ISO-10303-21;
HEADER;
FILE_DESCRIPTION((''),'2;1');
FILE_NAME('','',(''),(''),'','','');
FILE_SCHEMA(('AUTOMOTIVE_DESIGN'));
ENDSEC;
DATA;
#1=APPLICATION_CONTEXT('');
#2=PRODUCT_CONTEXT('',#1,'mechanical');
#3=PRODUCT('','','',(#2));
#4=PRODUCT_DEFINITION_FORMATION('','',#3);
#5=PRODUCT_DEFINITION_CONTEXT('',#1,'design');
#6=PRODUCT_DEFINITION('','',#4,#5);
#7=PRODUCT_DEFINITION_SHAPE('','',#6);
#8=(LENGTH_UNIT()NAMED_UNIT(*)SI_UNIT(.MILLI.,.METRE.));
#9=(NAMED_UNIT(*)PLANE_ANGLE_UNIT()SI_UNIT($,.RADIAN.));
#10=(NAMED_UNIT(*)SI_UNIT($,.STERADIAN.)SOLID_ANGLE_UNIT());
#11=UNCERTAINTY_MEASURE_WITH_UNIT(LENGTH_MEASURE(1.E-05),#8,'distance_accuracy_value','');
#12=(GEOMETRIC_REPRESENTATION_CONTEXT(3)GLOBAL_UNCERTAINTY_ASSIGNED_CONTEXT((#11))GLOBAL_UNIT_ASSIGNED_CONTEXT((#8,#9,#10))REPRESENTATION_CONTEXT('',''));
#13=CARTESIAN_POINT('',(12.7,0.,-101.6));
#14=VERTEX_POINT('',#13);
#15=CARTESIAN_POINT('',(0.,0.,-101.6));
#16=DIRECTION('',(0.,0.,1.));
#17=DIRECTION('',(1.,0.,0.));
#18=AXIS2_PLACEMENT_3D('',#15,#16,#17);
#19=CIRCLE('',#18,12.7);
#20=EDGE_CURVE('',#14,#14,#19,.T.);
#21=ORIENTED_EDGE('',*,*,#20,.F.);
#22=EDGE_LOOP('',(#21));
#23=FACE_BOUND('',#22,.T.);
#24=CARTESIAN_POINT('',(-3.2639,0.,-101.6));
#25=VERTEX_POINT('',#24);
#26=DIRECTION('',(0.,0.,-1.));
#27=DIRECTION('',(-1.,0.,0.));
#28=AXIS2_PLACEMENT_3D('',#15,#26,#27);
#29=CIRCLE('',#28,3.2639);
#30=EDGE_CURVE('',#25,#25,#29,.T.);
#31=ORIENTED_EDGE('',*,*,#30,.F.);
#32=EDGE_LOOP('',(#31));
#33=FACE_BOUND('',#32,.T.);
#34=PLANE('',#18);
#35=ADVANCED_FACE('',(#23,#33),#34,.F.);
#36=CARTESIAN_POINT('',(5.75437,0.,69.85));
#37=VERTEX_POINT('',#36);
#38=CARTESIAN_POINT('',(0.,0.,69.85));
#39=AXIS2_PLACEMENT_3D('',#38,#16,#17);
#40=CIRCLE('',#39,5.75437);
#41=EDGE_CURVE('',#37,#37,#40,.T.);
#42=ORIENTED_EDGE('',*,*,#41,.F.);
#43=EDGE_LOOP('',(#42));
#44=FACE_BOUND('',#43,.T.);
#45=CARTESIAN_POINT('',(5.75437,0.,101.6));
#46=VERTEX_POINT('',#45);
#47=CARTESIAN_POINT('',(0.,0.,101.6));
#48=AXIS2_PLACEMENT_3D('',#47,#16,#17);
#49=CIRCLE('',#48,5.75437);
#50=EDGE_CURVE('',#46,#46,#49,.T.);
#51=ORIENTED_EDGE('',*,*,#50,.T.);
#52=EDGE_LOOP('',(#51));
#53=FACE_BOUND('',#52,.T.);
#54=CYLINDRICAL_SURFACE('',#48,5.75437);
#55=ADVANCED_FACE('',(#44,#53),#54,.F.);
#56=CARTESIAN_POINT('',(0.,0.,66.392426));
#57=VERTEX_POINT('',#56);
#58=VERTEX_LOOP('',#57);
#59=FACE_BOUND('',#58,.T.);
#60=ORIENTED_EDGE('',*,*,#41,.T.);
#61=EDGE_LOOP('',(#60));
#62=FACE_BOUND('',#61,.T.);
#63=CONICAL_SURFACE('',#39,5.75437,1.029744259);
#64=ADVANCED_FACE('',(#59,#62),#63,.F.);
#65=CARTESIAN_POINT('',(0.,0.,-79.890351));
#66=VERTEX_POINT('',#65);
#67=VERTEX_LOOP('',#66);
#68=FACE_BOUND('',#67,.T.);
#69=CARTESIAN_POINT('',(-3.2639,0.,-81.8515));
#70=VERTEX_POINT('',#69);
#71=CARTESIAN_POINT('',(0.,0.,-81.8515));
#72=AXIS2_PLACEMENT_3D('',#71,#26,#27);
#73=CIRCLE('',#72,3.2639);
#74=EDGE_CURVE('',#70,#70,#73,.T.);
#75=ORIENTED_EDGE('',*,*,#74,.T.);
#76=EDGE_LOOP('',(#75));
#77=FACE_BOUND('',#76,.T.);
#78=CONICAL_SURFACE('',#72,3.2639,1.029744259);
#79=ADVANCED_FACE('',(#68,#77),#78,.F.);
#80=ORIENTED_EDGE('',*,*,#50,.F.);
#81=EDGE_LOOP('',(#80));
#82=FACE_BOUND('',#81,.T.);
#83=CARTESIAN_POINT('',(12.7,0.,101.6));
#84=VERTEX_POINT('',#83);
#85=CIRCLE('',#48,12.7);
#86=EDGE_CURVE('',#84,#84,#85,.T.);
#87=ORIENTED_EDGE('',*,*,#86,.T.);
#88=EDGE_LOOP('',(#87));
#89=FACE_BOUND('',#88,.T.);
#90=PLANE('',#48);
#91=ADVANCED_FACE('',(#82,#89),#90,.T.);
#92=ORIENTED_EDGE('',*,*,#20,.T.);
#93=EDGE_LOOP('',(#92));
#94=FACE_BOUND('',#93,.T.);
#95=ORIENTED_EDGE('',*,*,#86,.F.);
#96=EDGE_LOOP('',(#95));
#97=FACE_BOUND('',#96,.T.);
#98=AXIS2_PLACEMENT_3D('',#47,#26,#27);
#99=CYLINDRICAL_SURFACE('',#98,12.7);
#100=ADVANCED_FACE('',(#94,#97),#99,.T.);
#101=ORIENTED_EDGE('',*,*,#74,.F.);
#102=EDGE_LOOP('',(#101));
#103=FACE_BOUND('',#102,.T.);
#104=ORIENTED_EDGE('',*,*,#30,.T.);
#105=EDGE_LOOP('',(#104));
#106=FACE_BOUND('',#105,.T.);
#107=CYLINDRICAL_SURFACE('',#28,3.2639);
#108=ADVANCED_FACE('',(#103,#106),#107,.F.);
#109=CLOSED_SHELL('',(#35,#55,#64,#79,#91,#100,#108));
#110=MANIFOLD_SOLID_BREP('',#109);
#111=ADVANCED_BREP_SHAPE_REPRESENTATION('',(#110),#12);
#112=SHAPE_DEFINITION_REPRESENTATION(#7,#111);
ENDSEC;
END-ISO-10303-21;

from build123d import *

# Parameters (mm, degrees)
CROQUIS1_R                     = 12.7
SALIENTE_EXTRUIR2_DEPTH        = 101.6
TALADRO_ROSCADO_1_2_201_D      = 11.50874
TALADRO_ROSCADO_1_2_201_DEPTH  = 31.75
TALADRO_ROSCADO_1_2_201_TIP    = 3.45757432
TALADRO_ROSCADO_5_16_181_D     = 6.5278
TALADRO_ROSCADO_5_16_181_DEPTH = 19.7485
TALADRO_ROSCADO_5_16_181_TIP   = 1.961148974


with BuildPart() as part:
    # Croquis1 → Saliente-Extruir2 (new, symmetric)
    with BuildSketch(Plane.XY):
        Circle(CROQUIS1_R)
    extrude(amount=SALIENTE_EXTRUIR2_DEPTH, both=True)

    # Taladro roscado 1/2-201
    with Locations(Plane.XY.offset(101.6)):
        with Locations((0, 0)):
            Hole(TALADRO_ROSCADO_1_2_201_D / 2, depth=TALADRO_ROSCADO_1_2_201_DEPTH)
            with Locations((0, 0, -(TALADRO_ROSCADO_1_2_201_DEPTH + TALADRO_ROSCADO_1_2_201_TIP / 2))):  # 118° drill point
                Cone(0, TALADRO_ROSCADO_1_2_201_D / 2, TALADRO_ROSCADO_1_2_201_TIP, mode=Mode.SUBTRACT)

    # Taladro roscado 5/16-181
    with Locations(Plane(origin=(0, 0, -101.6), x_dir=(-1, 0, 0), z_dir=(0, 0, -1))):
        with Locations((0, 0)):
            Hole(TALADRO_ROSCADO_5_16_181_D / 2, depth=TALADRO_ROSCADO_5_16_181_DEPTH)
            with Locations((0, 0, -(TALADRO_ROSCADO_5_16_181_DEPTH + TALADRO_ROSCADO_5_16_181_TIP / 2))):  # 118° drill point
                Cone(0, TALADRO_ROSCADO_5_16_181_D / 2, TALADRO_ROSCADO_5_16_181_TIP, mode=Mode.SUBTRACT)


solid = part.part
